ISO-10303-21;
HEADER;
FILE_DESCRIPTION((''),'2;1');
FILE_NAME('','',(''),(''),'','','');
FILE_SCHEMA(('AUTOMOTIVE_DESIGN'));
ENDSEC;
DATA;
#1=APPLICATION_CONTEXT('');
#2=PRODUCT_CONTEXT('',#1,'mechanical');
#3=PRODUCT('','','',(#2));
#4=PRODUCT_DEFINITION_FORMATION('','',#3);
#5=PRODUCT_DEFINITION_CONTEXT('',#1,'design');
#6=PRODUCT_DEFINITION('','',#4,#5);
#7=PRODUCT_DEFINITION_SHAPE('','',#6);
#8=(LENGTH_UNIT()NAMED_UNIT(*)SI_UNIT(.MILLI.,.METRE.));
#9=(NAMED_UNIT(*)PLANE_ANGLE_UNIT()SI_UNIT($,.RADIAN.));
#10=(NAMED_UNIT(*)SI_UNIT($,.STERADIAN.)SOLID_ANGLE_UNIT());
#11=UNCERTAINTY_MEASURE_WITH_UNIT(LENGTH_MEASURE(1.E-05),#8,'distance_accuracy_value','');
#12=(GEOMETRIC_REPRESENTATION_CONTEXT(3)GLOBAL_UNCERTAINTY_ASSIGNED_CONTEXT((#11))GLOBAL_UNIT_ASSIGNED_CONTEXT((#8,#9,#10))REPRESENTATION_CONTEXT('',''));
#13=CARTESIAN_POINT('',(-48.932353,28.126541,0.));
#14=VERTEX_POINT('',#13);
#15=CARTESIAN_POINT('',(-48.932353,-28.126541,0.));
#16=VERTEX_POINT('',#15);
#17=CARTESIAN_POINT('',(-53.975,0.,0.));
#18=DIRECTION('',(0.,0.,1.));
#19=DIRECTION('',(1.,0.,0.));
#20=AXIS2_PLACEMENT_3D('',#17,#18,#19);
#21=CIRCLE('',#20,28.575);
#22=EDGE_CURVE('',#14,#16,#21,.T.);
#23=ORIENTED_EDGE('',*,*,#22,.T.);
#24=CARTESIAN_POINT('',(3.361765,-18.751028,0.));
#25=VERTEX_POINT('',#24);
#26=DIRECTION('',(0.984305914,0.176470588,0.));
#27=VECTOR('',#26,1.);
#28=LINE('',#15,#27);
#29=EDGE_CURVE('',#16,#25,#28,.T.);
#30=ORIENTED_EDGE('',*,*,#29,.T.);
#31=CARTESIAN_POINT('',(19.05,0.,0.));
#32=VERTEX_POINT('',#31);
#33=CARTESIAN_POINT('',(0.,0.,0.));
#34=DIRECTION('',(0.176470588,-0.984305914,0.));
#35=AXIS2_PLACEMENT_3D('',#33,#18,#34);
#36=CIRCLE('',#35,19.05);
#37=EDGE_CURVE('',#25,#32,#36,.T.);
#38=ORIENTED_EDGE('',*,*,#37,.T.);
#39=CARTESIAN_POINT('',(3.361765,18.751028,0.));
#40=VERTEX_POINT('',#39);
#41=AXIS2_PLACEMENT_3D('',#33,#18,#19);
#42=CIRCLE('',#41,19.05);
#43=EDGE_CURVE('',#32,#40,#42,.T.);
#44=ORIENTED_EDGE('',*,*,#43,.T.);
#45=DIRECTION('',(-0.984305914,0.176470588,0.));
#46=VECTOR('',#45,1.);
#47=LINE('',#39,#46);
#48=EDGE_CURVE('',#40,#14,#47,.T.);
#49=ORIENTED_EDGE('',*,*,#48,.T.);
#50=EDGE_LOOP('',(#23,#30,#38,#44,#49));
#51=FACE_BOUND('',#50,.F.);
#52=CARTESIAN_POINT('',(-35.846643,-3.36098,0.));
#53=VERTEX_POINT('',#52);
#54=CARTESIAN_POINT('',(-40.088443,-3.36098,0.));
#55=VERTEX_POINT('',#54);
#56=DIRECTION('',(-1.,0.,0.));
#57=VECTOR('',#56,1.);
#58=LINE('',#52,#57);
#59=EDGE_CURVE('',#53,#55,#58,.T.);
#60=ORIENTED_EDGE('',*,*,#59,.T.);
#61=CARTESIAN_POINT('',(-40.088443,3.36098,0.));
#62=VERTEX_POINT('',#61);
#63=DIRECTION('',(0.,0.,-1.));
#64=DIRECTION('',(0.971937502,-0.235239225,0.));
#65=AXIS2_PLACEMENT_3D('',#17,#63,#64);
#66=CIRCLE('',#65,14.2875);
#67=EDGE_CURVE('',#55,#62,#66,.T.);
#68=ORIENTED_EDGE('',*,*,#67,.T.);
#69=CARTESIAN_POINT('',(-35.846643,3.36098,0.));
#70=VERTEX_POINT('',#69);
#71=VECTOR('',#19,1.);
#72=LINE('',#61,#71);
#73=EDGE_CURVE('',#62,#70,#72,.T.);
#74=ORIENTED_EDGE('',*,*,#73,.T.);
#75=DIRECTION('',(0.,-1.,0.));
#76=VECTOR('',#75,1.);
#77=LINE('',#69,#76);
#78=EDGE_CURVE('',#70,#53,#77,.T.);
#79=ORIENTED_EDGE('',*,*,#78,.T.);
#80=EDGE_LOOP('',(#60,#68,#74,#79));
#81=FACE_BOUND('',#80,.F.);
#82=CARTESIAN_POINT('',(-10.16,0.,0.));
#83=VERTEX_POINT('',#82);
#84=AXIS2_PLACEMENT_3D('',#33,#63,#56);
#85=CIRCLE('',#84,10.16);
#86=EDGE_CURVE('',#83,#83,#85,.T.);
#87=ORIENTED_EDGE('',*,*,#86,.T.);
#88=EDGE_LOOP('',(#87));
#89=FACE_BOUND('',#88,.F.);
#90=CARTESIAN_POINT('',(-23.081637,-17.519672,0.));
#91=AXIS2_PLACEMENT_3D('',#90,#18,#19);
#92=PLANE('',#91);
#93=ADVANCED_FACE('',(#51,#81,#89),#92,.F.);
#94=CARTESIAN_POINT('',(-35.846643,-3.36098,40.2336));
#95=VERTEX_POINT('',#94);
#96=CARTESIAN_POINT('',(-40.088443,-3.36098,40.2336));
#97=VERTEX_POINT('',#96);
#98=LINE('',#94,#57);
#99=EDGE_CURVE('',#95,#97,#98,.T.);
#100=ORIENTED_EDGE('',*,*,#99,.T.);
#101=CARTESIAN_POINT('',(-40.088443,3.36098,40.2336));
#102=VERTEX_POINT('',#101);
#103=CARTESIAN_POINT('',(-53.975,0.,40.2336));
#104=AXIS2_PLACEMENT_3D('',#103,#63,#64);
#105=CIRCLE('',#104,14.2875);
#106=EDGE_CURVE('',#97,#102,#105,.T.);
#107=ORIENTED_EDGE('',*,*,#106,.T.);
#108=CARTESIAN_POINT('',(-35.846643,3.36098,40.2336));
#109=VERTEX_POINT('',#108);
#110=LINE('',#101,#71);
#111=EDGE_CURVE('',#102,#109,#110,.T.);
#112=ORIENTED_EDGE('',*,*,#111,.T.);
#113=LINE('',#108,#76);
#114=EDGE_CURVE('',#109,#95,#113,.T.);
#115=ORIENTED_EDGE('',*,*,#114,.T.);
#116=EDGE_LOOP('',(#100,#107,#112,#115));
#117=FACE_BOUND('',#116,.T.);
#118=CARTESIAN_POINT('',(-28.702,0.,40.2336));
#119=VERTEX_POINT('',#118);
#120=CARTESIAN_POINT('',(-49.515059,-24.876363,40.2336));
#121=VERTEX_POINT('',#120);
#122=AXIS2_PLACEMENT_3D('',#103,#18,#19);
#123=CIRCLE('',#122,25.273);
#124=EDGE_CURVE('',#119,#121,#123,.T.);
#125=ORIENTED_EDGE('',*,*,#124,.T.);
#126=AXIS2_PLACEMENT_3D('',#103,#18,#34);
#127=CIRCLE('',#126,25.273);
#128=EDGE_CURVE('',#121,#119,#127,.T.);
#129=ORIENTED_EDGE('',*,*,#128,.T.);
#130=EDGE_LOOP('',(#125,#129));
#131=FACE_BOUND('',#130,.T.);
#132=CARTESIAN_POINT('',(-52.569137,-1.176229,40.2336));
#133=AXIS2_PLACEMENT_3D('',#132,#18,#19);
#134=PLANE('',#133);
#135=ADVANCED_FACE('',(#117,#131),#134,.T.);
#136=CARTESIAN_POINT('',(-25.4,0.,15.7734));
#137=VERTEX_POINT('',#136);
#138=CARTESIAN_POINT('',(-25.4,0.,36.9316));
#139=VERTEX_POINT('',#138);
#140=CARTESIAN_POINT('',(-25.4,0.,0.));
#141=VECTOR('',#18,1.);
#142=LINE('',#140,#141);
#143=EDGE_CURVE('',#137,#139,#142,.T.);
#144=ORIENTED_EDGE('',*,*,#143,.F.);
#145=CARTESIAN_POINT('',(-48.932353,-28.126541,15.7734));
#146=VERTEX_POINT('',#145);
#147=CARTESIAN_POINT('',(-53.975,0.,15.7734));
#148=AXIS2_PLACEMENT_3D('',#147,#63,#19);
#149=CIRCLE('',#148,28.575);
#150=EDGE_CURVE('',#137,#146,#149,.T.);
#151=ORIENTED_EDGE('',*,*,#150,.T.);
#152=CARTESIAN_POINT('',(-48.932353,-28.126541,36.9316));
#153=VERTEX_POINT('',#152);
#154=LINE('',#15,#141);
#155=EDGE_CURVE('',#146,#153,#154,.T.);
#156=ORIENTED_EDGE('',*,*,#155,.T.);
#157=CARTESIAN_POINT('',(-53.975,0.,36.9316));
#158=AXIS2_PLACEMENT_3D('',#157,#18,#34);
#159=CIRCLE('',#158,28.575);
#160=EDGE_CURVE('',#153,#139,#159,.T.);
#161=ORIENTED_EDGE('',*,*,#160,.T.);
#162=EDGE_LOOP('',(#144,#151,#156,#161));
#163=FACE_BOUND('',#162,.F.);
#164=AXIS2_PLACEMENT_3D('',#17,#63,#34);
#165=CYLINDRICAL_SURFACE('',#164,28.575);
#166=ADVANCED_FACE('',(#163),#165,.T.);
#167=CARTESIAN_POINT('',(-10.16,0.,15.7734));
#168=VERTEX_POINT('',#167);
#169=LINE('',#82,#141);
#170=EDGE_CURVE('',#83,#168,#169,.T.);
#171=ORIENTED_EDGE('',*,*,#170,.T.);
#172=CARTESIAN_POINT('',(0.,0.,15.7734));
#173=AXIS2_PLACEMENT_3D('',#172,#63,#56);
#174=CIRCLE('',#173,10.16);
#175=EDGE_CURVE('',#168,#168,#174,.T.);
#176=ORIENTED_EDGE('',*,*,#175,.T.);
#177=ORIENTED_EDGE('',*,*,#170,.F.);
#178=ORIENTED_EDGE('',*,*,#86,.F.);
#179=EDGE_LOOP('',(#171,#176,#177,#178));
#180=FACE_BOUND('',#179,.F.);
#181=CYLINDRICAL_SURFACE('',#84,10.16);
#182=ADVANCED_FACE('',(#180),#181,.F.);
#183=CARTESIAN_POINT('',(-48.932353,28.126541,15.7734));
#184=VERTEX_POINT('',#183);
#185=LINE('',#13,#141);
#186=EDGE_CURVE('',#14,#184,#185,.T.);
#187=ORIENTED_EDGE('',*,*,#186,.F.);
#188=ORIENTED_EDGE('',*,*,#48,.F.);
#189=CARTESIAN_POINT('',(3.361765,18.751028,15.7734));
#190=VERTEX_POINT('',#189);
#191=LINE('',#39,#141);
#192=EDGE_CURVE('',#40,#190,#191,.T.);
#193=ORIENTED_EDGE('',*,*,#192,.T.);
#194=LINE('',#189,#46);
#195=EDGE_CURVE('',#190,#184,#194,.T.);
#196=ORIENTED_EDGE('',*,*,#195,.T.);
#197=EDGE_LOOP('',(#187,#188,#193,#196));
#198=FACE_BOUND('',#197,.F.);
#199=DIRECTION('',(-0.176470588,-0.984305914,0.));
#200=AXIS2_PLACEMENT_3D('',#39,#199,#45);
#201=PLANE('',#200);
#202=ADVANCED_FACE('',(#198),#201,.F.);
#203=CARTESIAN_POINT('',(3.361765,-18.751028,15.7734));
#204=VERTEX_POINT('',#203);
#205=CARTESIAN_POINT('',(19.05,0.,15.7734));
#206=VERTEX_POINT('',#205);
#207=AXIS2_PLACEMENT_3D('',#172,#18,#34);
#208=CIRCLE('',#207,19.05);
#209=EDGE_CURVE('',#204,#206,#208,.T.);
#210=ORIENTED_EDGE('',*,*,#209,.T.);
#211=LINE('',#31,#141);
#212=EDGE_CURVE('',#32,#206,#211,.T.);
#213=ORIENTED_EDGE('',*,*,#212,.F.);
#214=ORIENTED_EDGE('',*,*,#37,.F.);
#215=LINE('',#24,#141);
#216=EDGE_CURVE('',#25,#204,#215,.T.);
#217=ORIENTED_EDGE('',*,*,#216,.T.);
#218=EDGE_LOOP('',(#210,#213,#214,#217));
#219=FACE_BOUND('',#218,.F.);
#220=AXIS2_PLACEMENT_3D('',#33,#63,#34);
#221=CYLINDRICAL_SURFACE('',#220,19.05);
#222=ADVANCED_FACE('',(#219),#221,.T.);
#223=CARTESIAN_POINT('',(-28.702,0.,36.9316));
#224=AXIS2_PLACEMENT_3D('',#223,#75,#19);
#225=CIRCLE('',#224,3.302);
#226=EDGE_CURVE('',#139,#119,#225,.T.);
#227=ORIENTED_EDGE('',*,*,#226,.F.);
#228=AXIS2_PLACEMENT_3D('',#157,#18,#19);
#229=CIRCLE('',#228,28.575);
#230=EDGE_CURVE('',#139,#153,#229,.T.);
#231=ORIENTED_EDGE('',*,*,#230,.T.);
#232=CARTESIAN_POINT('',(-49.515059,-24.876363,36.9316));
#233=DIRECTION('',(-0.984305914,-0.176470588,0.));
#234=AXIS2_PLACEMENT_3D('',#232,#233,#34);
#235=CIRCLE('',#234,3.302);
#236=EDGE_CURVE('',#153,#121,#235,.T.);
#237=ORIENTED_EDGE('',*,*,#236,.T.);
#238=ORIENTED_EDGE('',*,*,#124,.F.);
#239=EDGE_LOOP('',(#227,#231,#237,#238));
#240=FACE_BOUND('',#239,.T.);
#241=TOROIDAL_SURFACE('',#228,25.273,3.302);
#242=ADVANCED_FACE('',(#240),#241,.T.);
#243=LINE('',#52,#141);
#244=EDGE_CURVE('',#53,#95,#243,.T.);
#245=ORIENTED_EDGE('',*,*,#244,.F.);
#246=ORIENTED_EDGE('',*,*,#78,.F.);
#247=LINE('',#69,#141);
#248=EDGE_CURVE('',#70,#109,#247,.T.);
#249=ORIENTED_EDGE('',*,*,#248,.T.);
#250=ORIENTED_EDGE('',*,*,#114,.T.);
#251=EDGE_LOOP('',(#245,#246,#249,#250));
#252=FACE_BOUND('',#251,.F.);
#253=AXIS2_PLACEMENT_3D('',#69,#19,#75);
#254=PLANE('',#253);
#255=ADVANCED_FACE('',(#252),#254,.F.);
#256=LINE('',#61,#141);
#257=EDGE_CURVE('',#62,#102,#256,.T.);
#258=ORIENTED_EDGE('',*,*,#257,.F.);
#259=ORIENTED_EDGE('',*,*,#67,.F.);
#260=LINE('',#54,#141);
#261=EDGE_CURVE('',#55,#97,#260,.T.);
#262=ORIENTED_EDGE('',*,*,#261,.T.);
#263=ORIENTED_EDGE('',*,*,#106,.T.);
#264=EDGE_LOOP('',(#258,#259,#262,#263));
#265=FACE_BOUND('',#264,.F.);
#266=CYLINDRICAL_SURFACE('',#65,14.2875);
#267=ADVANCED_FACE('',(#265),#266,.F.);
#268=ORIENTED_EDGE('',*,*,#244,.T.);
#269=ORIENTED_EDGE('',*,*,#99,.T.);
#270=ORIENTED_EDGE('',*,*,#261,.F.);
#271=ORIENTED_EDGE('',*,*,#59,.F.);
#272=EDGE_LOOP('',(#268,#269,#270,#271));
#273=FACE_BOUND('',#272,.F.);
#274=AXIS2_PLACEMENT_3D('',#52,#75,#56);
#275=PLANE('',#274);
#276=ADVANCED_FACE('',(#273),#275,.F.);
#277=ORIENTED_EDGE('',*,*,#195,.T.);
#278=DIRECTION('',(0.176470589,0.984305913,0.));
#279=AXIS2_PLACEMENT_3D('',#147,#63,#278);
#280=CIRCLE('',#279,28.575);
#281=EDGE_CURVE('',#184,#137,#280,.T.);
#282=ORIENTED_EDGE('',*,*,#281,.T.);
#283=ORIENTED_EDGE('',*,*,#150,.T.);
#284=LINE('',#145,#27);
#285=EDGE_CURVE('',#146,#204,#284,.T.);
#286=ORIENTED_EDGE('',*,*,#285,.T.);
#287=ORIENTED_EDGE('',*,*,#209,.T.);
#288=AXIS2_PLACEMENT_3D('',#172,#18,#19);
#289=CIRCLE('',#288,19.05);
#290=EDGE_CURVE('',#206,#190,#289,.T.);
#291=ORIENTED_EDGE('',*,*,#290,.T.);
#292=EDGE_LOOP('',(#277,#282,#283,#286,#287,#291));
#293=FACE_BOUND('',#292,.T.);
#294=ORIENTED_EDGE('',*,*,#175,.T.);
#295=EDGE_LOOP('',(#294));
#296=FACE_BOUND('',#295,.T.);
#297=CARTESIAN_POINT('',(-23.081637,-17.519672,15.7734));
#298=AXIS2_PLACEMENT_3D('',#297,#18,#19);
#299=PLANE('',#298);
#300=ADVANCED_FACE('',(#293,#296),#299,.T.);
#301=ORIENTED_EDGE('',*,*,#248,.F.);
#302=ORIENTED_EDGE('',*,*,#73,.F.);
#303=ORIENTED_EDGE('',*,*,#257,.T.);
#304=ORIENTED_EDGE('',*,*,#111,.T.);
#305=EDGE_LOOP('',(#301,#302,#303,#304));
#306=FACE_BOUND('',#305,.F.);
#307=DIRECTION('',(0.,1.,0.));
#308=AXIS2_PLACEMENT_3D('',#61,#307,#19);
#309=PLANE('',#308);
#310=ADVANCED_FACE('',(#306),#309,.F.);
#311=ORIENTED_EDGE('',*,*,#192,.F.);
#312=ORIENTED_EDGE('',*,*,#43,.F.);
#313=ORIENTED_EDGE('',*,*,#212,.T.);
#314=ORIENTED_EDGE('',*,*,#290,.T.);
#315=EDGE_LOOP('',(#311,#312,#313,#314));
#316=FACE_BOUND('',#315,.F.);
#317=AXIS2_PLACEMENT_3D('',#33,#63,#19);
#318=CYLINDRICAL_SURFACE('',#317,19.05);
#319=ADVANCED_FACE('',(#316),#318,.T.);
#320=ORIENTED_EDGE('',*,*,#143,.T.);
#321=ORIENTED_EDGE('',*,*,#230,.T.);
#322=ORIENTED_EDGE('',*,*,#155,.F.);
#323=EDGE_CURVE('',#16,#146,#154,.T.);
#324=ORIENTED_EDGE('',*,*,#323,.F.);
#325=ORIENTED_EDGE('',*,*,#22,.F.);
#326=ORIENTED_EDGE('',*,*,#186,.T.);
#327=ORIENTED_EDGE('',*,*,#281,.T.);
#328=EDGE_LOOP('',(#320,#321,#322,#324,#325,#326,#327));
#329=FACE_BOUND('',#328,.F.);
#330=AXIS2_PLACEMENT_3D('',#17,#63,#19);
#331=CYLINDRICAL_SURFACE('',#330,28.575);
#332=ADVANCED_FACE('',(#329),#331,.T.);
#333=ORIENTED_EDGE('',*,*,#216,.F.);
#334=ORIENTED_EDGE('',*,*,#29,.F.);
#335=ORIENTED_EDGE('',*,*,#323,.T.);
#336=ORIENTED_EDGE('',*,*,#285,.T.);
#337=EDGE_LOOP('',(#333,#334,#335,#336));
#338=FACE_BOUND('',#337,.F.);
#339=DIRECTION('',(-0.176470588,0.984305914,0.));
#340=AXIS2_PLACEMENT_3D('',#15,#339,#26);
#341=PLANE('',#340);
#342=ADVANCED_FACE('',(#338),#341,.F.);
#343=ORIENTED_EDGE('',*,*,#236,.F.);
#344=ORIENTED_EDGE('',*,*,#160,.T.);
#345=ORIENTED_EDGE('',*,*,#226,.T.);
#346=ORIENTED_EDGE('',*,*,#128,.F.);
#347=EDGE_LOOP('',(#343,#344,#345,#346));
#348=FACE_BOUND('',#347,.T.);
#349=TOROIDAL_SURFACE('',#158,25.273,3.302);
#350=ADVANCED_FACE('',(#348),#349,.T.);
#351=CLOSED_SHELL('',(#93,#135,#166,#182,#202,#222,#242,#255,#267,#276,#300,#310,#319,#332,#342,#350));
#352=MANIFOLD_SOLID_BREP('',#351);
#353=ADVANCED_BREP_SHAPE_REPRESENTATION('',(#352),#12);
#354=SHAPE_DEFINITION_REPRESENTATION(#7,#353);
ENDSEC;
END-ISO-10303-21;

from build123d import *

# Parameters (mm, degrees)
F1_DEPTH = 15.7734
F2_DEPTH = 40.2336
F3_DEPTH = 15.7734
F4_R     = 3.302


with BuildPart() as f1:
    # F0 (on Top) → F1 (new body)
    with BuildSketch(Plane.XY):
        with BuildLine():
            ThreePointArc((3.3617647059, 18.7510276535), (-12.2241744579, 14.6106830375), (-19.05, 0))
            ThreePointArc((-19.05, 0), (-12.2241744579, -14.6106830375), (3.3617647059, -18.7510276535))
            ThreePointArc((3.3617647059, -18.7510276535), (14.6106830375, -12.2241744579), (19.05, 0))
            ThreePointArc((19.05, 0), (14.6106830375, 12.2241744579), (3.3617647059, 18.7510276535))
        make_face()
        with BuildLine():
            ThreePointArc((10.16, 0), (0, -10.16), (-10.16, 0))
            ThreePointArc((-10.16, 0), (0, 10.16), (10.16, 0))
        make_face(mode=Mode.SUBTRACT)
        with BuildLine():
            Line((-25.4, 0), (-19.05, 0))
            ThreePointArc((-19.05, 0), (-12.2241744579, 14.6106830375), (3.3617647059, 18.7510276535))
            Line((3.3617647059, 18.7510276535), (-48.9323529132, 28.1265414752))
            ThreePointArc((-48.9323529132, 28.1265414752), (-32.0589754346, 18.3362616759), (-25.4, 0))
        make_face()
    extrude(amount=F1_DEPTH)

    # F0 (on Top) → F2 (join)
    with BuildSketch(Plane.XY):
        with BuildLine():
            ThreePointArc((-48.9323529412, -28.1265414802), (-32.0589754437, -18.3362616868), (-25.4, 0))
            ThreePointArc((-25.4, 0), (-32.0589754346, 18.3362616759), (-48.9323529132, 28.1265414752))
            ThreePointArc((-48.9323529132, 28.1265414752), (-82.55, 1.42e-08), (-48.9323529412, -28.1265414802))
        make_face()
        with BuildLine():
            Line((-35.8466429449, 3.3609804232), (-35.8466429449, 0))
            Line((-35.8466429449, 0), (-35.8466429449, -3.3609804232))
            Line((-35.8466429449, -3.3609804232), (-40.0884429449, -3.3609804232))
            ThreePointArc((-40.0884429449, -3.3609804232), (-68.2625, 0), (-40.0884429449, 3.3609804232))
            Line((-40.0884429449, 3.3609804232), (-35.8466429449, 3.3609804232))
        make_face(mode=Mode.SUBTRACT)
    extrude(amount=F2_DEPTH)

    # F0 (on Top) → F3 (join)
    with BuildSketch(Plane.XY):
        with BuildLine():
            ThreePointArc((3.3617647059, -18.7510276535), (-12.2241744579, -14.6106830375), (-19.05, 0))
            Line((-19.05, 0), (-25.4, 0))
            ThreePointArc((-25.4, 0), (-32.0589754437, -18.3362616868), (-48.9323529412, -28.1265414802))
            Line((-48.9323529412, -28.1265414802), (3.3617647059, -18.7510276535))
        make_face()
    extrude(amount=F3_DEPTH)

    # F4
    f4_edges = [f1.edges().sort_by_distance(p)[0] for p in [
        (-59.017647, 28.126541, 40.2336),
    ]]
    fillet(f4_edges, radius=F4_R)


solid = f1.part
